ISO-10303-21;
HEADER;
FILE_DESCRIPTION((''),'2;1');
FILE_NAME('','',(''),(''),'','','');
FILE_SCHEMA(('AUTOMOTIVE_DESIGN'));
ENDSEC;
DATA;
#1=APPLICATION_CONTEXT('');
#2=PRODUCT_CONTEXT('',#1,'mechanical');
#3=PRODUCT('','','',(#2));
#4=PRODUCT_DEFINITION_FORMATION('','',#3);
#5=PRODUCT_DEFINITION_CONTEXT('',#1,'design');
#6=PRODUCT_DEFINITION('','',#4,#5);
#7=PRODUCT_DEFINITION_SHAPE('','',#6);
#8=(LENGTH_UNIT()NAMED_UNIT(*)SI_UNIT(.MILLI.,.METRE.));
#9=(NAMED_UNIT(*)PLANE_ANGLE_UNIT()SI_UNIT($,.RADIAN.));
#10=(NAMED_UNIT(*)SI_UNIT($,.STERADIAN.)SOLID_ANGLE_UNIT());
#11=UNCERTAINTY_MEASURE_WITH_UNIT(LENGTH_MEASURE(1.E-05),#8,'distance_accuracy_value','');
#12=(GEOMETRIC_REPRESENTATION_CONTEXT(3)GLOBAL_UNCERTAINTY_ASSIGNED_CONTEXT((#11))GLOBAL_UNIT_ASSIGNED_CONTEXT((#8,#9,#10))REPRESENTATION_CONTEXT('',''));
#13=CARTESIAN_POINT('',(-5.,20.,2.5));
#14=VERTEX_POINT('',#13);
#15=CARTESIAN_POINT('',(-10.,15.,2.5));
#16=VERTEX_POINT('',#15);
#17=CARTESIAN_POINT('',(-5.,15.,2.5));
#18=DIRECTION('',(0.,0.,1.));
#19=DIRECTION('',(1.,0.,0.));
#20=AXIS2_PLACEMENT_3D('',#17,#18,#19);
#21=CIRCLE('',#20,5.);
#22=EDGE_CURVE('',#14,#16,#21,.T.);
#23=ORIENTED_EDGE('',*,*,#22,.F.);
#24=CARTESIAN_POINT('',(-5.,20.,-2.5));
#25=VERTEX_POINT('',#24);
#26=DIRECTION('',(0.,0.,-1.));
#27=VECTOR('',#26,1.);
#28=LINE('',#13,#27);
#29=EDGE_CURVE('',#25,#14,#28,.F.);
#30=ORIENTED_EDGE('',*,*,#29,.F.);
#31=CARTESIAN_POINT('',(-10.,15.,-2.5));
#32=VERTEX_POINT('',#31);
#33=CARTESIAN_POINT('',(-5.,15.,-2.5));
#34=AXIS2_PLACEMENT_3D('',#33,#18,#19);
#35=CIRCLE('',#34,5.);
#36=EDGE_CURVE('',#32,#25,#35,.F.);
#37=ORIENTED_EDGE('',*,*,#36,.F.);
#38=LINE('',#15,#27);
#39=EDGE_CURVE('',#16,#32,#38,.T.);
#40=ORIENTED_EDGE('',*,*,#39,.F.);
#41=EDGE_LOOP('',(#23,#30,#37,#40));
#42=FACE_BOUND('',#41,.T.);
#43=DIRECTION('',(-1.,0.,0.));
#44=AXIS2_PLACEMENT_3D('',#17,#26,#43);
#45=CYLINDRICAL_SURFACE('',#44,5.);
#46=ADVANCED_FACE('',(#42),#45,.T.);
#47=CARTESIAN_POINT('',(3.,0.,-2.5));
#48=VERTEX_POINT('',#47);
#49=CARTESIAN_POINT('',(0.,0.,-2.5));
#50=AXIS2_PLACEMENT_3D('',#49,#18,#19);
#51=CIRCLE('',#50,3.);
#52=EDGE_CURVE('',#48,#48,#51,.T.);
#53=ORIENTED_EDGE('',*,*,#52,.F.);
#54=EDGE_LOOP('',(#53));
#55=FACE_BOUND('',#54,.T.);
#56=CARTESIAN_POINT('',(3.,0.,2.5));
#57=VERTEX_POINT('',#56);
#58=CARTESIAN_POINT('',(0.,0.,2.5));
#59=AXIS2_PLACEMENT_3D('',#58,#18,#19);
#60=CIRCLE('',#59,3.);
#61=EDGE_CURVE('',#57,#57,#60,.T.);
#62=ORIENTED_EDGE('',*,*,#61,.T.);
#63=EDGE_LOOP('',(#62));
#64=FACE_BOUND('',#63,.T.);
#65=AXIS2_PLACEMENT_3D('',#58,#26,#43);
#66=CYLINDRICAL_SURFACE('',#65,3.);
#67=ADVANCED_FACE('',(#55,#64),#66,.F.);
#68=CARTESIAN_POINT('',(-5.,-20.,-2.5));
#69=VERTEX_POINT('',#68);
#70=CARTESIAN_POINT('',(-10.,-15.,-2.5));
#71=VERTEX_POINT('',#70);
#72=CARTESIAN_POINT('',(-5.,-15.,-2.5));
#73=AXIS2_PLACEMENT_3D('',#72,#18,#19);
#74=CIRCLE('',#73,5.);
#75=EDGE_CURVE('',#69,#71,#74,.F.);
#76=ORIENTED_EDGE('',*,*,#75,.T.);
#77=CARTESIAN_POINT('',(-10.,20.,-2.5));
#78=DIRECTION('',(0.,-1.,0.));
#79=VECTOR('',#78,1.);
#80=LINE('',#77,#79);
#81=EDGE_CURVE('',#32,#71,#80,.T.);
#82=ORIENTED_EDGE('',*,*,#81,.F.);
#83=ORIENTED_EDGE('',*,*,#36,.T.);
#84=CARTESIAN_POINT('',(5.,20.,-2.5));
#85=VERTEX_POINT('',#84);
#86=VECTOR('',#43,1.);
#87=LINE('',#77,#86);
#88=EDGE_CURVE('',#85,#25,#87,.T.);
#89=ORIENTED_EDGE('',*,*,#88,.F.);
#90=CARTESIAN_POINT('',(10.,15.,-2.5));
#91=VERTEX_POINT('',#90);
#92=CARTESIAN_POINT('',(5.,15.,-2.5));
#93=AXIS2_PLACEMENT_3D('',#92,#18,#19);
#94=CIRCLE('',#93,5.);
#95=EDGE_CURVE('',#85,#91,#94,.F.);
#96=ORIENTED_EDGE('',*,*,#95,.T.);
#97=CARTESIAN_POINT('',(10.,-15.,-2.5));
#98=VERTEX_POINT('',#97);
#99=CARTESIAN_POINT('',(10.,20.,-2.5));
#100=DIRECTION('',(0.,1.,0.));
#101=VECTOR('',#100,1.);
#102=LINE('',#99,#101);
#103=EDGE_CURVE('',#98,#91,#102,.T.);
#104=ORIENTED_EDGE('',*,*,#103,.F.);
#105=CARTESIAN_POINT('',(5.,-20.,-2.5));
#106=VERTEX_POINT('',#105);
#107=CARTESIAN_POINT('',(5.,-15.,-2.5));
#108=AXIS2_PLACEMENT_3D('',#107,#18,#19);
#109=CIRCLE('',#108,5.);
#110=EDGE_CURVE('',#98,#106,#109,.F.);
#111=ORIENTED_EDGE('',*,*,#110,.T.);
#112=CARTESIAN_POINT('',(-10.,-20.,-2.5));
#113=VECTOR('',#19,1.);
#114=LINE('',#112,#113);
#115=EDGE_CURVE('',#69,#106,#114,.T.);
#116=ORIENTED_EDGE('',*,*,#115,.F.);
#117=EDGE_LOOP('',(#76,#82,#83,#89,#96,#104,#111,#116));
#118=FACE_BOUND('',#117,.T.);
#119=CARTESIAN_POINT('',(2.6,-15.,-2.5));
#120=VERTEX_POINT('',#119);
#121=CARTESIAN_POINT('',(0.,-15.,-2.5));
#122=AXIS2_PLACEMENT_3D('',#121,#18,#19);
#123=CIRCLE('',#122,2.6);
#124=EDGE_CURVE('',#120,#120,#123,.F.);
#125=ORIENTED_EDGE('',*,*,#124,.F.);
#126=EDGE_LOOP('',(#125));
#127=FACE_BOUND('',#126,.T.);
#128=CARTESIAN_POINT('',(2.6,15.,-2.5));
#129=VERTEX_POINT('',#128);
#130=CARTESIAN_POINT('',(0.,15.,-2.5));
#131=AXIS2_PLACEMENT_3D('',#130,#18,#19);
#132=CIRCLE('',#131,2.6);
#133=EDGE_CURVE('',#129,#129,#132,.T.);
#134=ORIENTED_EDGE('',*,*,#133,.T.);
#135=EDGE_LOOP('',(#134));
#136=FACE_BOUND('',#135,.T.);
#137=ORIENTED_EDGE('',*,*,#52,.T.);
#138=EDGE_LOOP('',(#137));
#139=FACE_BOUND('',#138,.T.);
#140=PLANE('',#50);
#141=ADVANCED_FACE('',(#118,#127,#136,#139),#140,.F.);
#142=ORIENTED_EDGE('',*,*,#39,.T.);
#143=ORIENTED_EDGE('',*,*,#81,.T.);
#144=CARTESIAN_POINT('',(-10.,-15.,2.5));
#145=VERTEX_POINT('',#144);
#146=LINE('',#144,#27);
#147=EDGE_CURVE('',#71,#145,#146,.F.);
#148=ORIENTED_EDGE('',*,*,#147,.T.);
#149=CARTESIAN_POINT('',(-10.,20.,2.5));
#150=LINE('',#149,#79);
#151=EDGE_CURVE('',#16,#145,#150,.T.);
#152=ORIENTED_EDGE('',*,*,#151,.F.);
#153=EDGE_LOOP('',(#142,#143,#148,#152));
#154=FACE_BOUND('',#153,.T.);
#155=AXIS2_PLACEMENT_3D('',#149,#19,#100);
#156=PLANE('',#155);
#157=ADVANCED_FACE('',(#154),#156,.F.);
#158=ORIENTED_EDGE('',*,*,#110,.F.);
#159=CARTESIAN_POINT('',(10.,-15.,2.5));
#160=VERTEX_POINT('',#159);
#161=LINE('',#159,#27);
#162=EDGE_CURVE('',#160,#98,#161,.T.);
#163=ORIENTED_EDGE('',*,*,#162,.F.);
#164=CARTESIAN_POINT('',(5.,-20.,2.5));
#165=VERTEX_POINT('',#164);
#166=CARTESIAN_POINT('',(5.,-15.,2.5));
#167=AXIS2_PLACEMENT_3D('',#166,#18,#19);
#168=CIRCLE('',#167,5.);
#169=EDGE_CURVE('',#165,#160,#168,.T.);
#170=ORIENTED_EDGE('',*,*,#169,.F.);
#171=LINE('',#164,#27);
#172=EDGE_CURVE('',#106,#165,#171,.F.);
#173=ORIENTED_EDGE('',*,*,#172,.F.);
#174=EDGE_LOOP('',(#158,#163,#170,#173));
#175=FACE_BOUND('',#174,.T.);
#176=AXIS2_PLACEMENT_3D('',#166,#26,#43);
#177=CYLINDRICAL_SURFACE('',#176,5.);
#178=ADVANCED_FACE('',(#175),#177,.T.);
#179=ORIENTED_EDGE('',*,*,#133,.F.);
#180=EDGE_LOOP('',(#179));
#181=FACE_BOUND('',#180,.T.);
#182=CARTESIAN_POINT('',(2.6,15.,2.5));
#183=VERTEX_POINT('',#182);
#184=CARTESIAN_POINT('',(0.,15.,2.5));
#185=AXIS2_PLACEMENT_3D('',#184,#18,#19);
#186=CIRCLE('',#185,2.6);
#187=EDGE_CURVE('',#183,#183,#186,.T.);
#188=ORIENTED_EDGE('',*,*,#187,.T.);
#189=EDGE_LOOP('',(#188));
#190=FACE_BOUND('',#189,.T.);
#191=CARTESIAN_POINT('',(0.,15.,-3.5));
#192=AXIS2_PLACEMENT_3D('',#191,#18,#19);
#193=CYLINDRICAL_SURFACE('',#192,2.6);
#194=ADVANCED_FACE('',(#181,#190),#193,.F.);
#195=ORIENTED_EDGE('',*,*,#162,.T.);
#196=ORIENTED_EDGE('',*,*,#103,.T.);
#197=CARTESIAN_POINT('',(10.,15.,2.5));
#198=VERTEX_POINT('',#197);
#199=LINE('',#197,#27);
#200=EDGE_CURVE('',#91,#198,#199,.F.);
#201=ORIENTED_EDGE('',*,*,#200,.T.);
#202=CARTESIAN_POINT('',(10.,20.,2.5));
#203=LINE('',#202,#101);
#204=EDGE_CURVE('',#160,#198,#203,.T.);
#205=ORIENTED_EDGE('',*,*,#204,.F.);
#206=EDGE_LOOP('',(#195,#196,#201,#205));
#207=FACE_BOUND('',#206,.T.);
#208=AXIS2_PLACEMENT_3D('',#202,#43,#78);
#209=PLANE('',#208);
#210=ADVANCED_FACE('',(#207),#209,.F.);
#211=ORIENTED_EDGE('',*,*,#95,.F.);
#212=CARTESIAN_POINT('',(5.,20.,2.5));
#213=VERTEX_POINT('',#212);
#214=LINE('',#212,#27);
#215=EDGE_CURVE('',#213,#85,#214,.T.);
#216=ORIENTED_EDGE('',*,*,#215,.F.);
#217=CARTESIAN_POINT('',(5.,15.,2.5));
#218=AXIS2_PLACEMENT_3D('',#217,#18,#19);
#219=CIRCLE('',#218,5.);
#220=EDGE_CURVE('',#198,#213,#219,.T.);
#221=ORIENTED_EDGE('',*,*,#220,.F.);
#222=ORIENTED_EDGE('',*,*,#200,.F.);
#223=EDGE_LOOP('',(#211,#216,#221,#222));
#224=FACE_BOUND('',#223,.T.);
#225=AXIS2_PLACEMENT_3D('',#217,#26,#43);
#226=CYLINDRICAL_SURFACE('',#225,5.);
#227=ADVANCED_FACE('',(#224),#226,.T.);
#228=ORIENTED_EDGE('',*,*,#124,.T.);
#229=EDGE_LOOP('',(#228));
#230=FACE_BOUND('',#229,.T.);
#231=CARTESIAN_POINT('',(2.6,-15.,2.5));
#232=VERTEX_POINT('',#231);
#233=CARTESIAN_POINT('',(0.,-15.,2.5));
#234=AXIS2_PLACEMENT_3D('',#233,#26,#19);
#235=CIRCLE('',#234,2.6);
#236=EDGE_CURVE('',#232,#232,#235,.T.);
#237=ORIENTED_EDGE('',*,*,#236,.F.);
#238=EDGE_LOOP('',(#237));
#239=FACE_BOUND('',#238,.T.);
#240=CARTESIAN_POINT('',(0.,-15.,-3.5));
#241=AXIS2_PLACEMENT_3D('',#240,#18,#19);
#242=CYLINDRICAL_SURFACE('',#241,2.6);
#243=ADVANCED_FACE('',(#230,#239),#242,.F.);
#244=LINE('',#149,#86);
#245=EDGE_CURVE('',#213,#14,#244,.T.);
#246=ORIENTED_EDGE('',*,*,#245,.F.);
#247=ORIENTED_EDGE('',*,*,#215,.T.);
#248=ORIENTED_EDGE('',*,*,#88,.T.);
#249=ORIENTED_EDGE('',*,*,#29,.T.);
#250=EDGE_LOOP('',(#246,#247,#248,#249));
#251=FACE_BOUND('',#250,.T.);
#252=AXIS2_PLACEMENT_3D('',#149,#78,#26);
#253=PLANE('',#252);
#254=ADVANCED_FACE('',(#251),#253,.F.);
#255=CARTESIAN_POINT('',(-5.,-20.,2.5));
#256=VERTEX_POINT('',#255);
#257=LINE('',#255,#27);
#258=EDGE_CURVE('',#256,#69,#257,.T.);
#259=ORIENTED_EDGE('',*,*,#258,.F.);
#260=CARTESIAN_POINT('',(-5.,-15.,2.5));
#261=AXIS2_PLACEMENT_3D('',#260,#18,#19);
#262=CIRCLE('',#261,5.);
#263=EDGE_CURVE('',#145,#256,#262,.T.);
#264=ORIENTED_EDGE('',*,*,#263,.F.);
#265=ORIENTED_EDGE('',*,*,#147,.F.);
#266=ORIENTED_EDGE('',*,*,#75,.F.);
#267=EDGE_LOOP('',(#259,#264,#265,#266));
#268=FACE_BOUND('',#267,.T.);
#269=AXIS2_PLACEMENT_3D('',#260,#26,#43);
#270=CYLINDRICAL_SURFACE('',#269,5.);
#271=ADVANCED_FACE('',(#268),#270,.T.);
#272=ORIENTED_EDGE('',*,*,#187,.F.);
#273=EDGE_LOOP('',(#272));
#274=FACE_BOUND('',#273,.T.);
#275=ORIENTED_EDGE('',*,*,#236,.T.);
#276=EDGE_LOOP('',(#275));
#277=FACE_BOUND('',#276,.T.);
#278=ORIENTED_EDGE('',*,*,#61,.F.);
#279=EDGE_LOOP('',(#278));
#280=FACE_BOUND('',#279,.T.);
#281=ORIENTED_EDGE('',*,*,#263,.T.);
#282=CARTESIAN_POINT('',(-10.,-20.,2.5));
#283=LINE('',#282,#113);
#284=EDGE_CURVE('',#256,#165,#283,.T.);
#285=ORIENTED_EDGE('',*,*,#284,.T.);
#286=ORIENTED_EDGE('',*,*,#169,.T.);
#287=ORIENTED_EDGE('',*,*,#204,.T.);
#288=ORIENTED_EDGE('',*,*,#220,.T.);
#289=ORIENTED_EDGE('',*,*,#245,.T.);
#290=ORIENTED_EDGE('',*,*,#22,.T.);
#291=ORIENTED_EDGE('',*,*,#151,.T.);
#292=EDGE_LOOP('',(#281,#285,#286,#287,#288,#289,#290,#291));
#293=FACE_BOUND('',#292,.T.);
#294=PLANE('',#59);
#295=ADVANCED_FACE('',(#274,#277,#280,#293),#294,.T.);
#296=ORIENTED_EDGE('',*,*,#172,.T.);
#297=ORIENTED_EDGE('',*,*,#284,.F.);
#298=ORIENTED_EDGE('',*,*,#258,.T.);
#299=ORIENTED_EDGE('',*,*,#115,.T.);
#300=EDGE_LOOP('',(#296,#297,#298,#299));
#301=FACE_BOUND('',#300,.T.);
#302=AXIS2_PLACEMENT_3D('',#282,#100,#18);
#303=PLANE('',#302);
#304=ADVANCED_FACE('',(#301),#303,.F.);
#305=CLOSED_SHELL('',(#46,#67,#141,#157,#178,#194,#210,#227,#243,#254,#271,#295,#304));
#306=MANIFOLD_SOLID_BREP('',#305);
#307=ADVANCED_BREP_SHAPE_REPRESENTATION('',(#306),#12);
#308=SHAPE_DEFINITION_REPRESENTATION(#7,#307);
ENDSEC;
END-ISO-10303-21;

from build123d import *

# Parameters (mm, degrees)
ESBO_O1_W                = 20
ESBO_O1_H                = 40
ESBO_O1_R                = 3
RESSALTO_EXTRUS_O1_DEPTH = 2.5
FILETE1_R                = 5
ESBO_O2_R                = 2.6
CORTE_EXTRUS_O1_DEPTH    = 6


with BuildPart() as part:
    # Esboço1 → Ressalto-extrusão1 (new, symmetric)
    with BuildSketch(Plane.XY):
        Rectangle(ESBO_O1_W, ESBO_O1_H)
        Circle(ESBO_O1_R, mode=Mode.SUBTRACT)
    extrude(amount=RESSALTO_EXTRUS_O1_DEPTH, both=True)

    # Filete1
    filete1_edges = [part.edges().sort_by_distance(p)[0] for p in [
        (10, -20, 0),
        (-10, -20, 0),
        (-10, 20, 0),
        (10, 20, 0),
    ]]
    fillet(filete1_edges, radius=FILETE1_R)

    # Esboço2 → Corte-extrusão1 (cut)
    with BuildSketch(Plane.XY.offset(2.5)):
        with Locations((0, 15)):
            Circle(ESBO_O2_R)
    corte_extrus_o1 = extrude(amount=-CORTE_EXTRUS_O1_DEPTH, mode=Mode.SUBTRACT)

    # Espelhar1: Corte-extrusão1 across plane
    add(corte_extrus_o1.mirror(Plane.ZX), mode=Mode.SUBTRACT)


solid = part.part
